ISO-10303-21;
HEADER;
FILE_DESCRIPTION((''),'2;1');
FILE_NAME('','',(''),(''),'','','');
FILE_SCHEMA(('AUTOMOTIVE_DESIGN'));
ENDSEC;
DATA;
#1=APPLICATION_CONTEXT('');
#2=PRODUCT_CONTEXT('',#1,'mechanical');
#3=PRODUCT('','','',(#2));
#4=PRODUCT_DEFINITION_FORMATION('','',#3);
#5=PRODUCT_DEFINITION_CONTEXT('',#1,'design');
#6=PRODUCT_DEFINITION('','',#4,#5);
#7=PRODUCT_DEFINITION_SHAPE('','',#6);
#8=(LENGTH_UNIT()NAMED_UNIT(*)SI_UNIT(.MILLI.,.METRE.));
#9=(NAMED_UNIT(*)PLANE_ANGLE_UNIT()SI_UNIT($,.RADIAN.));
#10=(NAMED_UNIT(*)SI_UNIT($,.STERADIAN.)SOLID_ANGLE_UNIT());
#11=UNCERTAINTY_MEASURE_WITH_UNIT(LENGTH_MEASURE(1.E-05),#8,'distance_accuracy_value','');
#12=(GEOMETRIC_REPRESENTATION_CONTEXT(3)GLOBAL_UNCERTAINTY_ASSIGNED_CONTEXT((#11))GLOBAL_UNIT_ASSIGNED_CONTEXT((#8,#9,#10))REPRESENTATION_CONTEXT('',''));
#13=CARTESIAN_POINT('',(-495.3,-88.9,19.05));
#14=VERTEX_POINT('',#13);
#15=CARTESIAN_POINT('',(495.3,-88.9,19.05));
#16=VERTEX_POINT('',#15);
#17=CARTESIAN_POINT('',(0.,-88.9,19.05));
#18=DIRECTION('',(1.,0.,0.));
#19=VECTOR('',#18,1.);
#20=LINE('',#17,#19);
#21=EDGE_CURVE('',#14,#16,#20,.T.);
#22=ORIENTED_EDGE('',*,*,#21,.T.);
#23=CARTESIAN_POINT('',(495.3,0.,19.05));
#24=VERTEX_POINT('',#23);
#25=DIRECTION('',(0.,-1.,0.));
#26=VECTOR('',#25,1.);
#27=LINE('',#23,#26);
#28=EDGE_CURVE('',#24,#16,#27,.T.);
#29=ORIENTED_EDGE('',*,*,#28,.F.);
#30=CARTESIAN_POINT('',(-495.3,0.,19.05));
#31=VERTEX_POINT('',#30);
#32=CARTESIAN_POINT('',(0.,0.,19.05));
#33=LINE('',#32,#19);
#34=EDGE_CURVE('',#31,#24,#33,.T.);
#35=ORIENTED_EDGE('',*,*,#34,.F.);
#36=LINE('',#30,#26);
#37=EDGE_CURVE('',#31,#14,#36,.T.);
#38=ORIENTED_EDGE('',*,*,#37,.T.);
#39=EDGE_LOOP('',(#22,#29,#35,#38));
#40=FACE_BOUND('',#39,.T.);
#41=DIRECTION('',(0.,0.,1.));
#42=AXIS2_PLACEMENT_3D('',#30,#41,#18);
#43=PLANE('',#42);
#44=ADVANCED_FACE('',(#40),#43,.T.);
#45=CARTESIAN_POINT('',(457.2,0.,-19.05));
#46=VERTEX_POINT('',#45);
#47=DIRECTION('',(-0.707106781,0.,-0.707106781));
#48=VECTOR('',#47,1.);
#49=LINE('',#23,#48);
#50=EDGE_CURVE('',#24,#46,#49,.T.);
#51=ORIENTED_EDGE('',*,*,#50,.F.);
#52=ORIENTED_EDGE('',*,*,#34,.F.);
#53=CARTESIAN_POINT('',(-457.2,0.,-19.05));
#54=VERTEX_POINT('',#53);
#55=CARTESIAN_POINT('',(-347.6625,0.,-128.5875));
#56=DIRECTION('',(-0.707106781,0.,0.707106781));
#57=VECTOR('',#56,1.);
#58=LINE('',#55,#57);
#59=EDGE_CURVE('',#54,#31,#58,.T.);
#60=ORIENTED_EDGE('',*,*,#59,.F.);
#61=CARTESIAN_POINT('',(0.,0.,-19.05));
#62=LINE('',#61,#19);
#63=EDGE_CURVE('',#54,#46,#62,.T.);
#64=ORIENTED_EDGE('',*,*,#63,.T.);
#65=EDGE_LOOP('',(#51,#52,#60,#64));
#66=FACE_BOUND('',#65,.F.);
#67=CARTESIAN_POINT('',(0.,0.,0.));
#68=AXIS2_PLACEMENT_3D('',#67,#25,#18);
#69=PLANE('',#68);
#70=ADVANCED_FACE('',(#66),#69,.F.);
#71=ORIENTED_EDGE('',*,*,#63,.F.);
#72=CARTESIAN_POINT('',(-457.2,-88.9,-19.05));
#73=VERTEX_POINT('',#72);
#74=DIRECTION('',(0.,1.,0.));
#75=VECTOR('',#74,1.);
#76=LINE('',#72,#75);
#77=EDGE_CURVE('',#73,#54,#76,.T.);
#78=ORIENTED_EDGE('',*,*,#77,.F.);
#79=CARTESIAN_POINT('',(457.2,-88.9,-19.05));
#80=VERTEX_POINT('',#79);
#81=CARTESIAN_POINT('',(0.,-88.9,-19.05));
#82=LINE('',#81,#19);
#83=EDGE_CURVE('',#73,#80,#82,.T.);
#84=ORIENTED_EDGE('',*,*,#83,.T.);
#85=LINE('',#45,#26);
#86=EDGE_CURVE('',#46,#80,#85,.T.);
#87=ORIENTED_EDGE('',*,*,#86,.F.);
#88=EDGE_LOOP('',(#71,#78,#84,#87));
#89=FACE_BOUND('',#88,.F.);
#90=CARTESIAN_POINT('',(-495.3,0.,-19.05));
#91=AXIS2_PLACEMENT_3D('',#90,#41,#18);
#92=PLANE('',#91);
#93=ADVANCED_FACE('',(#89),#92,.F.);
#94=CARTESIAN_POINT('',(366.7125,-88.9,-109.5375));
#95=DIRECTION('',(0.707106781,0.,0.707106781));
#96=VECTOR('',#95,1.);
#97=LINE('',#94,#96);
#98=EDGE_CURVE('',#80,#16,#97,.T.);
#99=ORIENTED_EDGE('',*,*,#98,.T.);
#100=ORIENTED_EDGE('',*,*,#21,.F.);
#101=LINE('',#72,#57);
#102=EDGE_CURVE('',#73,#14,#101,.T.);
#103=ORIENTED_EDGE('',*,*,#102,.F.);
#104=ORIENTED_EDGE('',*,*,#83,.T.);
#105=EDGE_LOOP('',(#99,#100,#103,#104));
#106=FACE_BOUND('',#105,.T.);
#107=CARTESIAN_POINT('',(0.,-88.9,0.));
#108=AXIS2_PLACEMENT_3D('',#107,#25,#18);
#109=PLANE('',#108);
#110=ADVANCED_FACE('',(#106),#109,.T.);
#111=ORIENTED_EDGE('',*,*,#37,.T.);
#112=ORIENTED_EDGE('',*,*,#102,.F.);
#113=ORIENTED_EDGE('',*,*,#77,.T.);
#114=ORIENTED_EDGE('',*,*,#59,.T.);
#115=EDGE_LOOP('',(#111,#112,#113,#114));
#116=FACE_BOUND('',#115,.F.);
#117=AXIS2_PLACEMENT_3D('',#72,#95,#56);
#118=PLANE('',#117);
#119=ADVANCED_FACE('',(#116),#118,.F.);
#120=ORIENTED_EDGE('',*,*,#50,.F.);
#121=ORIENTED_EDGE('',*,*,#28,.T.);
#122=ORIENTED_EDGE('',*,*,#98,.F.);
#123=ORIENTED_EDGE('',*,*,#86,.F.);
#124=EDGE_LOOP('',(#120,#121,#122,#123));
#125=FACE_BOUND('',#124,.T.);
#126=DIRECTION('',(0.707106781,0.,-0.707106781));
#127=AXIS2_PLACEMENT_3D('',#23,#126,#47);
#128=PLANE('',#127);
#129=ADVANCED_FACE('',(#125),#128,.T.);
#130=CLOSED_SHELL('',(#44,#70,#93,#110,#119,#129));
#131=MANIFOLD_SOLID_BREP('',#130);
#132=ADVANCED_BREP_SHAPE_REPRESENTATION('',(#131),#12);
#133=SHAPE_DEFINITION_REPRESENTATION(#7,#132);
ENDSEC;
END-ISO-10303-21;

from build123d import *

# Parameters (mm, degrees)
F0_W     = 990.6
F0_H     = 38.1
F1_DEPTH = 88.9
F3_DEPTH = 88.901
F5_DEPTH = 88.901


with BuildPart() as f1:
    # F0 (on Front) → F1 (new body)
    with BuildSketch(Plane.XZ):
        Rectangle(F0_W, F0_H)
    extrude(amount=F1_DEPTH)

    # F2 (on face) → F3 (cut, through all)
    with BuildSketch(Plane.XZ.offset(88.9)):
        Polygon((-457.2, -19.05), (-495.3, 19.05), (-495.3, -19.05), align=None)
    extrude(amount=-F3_DEPTH, mode=Mode.SUBTRACT)

    # F4 (on Front) → F5 (cut, through all)
    with BuildSketch(Plane.XZ):
        Polygon((495.3, -19.05), (495.3, 19.05), (457.2, -19.05), align=None)
    extrude(amount=F5_DEPTH, mode=Mode.SUBTRACT)


solid = f1.part
